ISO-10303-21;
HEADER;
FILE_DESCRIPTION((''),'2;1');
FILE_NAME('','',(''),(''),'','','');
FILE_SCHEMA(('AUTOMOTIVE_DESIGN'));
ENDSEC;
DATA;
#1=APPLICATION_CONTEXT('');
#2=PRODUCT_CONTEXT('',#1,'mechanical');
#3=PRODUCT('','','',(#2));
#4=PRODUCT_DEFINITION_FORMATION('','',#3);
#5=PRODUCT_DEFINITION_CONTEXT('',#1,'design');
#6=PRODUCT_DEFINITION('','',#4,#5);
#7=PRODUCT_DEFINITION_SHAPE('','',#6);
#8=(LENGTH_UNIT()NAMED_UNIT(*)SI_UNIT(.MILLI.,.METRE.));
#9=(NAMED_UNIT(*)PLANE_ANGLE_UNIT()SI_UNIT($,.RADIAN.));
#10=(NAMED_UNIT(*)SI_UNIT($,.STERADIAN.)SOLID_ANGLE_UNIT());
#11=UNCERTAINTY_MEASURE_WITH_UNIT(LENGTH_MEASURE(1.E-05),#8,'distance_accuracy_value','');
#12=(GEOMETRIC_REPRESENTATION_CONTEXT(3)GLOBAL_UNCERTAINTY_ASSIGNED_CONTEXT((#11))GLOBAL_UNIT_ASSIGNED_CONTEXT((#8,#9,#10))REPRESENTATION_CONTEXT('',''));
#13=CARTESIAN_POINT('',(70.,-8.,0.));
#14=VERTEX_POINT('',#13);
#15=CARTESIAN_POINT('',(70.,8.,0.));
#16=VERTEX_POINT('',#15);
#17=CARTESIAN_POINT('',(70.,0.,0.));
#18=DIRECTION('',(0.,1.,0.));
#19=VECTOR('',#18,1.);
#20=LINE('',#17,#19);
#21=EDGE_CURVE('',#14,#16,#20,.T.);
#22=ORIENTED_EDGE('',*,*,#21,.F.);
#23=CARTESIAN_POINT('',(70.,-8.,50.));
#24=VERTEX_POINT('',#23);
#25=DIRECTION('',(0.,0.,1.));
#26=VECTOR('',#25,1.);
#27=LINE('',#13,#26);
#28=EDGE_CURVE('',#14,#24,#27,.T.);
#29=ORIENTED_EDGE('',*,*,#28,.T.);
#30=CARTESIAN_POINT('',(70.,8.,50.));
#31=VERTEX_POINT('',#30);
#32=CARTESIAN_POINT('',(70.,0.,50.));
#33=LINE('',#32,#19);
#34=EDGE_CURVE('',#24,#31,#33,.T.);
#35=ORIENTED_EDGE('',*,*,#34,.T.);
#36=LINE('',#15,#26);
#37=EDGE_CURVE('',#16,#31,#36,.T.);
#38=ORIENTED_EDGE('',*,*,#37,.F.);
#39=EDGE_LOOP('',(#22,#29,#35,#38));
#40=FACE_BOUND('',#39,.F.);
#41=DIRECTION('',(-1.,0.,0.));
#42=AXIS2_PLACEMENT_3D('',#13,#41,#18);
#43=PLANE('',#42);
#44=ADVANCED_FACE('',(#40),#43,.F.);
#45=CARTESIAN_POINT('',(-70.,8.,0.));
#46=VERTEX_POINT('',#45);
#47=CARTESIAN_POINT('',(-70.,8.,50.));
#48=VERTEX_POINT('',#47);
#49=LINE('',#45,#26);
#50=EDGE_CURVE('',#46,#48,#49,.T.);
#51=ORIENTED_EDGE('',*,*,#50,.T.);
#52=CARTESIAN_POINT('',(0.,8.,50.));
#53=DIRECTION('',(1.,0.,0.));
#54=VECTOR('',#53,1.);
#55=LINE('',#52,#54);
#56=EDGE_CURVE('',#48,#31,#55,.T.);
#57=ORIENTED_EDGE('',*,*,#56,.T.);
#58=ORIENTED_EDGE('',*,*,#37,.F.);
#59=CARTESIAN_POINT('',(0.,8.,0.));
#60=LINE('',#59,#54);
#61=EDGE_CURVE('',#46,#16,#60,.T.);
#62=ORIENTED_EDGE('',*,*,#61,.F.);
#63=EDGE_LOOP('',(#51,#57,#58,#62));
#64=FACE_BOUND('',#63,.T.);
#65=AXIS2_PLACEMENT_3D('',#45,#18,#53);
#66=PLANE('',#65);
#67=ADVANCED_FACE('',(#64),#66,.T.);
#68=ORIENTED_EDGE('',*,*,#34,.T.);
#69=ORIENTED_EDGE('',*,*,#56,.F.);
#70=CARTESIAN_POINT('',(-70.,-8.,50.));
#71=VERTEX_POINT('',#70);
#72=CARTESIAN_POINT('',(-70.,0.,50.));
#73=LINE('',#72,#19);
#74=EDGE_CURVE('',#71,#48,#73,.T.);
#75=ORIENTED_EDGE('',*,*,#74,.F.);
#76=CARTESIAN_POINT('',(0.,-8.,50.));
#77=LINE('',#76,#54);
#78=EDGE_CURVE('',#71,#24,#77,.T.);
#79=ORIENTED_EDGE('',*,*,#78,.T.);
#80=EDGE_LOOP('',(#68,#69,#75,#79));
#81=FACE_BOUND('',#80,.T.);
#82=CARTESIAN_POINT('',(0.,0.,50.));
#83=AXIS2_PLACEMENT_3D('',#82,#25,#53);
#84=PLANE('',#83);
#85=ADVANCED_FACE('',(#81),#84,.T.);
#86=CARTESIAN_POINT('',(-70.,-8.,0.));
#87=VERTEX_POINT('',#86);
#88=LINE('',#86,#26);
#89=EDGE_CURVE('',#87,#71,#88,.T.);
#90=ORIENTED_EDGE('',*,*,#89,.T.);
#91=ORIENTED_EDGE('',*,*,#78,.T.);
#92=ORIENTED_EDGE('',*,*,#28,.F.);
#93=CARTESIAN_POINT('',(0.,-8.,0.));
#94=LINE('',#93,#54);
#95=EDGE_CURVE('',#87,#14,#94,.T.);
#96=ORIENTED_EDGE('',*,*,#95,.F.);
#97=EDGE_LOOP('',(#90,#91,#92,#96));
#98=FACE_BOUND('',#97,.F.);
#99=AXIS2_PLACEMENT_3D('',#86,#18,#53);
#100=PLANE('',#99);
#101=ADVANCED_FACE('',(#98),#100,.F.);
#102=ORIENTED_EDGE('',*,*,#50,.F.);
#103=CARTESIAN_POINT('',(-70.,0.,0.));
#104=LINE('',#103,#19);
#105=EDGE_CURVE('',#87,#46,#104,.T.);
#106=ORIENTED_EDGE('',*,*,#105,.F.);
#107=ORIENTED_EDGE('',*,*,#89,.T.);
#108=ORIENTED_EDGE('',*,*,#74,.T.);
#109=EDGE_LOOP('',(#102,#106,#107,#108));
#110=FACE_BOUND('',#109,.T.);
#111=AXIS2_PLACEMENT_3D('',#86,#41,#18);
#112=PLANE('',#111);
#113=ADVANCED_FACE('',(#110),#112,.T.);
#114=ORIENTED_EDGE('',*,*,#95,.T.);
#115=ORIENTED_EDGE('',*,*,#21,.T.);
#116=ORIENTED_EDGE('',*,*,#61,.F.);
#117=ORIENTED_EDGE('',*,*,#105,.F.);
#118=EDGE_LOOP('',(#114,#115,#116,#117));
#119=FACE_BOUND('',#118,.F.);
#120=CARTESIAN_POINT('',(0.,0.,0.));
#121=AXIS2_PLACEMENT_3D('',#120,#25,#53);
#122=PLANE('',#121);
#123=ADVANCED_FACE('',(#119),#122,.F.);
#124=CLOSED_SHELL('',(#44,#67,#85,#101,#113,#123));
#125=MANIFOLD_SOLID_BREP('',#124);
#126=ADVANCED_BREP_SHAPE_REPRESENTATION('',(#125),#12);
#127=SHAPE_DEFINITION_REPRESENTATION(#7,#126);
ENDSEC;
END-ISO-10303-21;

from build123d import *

# Parameters (mm, degrees)
SKETCH_W      = 140
SKETCH_H      = 16
EXTRUDE_DEPTH = 50


with BuildPart() as part:
    # Sketch → Extrude (new body)
    with BuildSketch(Plane.XY):
        Rectangle(SKETCH_W, SKETCH_H)
    extrude(amount=EXTRUDE_DEPTH)


solid = part.part
